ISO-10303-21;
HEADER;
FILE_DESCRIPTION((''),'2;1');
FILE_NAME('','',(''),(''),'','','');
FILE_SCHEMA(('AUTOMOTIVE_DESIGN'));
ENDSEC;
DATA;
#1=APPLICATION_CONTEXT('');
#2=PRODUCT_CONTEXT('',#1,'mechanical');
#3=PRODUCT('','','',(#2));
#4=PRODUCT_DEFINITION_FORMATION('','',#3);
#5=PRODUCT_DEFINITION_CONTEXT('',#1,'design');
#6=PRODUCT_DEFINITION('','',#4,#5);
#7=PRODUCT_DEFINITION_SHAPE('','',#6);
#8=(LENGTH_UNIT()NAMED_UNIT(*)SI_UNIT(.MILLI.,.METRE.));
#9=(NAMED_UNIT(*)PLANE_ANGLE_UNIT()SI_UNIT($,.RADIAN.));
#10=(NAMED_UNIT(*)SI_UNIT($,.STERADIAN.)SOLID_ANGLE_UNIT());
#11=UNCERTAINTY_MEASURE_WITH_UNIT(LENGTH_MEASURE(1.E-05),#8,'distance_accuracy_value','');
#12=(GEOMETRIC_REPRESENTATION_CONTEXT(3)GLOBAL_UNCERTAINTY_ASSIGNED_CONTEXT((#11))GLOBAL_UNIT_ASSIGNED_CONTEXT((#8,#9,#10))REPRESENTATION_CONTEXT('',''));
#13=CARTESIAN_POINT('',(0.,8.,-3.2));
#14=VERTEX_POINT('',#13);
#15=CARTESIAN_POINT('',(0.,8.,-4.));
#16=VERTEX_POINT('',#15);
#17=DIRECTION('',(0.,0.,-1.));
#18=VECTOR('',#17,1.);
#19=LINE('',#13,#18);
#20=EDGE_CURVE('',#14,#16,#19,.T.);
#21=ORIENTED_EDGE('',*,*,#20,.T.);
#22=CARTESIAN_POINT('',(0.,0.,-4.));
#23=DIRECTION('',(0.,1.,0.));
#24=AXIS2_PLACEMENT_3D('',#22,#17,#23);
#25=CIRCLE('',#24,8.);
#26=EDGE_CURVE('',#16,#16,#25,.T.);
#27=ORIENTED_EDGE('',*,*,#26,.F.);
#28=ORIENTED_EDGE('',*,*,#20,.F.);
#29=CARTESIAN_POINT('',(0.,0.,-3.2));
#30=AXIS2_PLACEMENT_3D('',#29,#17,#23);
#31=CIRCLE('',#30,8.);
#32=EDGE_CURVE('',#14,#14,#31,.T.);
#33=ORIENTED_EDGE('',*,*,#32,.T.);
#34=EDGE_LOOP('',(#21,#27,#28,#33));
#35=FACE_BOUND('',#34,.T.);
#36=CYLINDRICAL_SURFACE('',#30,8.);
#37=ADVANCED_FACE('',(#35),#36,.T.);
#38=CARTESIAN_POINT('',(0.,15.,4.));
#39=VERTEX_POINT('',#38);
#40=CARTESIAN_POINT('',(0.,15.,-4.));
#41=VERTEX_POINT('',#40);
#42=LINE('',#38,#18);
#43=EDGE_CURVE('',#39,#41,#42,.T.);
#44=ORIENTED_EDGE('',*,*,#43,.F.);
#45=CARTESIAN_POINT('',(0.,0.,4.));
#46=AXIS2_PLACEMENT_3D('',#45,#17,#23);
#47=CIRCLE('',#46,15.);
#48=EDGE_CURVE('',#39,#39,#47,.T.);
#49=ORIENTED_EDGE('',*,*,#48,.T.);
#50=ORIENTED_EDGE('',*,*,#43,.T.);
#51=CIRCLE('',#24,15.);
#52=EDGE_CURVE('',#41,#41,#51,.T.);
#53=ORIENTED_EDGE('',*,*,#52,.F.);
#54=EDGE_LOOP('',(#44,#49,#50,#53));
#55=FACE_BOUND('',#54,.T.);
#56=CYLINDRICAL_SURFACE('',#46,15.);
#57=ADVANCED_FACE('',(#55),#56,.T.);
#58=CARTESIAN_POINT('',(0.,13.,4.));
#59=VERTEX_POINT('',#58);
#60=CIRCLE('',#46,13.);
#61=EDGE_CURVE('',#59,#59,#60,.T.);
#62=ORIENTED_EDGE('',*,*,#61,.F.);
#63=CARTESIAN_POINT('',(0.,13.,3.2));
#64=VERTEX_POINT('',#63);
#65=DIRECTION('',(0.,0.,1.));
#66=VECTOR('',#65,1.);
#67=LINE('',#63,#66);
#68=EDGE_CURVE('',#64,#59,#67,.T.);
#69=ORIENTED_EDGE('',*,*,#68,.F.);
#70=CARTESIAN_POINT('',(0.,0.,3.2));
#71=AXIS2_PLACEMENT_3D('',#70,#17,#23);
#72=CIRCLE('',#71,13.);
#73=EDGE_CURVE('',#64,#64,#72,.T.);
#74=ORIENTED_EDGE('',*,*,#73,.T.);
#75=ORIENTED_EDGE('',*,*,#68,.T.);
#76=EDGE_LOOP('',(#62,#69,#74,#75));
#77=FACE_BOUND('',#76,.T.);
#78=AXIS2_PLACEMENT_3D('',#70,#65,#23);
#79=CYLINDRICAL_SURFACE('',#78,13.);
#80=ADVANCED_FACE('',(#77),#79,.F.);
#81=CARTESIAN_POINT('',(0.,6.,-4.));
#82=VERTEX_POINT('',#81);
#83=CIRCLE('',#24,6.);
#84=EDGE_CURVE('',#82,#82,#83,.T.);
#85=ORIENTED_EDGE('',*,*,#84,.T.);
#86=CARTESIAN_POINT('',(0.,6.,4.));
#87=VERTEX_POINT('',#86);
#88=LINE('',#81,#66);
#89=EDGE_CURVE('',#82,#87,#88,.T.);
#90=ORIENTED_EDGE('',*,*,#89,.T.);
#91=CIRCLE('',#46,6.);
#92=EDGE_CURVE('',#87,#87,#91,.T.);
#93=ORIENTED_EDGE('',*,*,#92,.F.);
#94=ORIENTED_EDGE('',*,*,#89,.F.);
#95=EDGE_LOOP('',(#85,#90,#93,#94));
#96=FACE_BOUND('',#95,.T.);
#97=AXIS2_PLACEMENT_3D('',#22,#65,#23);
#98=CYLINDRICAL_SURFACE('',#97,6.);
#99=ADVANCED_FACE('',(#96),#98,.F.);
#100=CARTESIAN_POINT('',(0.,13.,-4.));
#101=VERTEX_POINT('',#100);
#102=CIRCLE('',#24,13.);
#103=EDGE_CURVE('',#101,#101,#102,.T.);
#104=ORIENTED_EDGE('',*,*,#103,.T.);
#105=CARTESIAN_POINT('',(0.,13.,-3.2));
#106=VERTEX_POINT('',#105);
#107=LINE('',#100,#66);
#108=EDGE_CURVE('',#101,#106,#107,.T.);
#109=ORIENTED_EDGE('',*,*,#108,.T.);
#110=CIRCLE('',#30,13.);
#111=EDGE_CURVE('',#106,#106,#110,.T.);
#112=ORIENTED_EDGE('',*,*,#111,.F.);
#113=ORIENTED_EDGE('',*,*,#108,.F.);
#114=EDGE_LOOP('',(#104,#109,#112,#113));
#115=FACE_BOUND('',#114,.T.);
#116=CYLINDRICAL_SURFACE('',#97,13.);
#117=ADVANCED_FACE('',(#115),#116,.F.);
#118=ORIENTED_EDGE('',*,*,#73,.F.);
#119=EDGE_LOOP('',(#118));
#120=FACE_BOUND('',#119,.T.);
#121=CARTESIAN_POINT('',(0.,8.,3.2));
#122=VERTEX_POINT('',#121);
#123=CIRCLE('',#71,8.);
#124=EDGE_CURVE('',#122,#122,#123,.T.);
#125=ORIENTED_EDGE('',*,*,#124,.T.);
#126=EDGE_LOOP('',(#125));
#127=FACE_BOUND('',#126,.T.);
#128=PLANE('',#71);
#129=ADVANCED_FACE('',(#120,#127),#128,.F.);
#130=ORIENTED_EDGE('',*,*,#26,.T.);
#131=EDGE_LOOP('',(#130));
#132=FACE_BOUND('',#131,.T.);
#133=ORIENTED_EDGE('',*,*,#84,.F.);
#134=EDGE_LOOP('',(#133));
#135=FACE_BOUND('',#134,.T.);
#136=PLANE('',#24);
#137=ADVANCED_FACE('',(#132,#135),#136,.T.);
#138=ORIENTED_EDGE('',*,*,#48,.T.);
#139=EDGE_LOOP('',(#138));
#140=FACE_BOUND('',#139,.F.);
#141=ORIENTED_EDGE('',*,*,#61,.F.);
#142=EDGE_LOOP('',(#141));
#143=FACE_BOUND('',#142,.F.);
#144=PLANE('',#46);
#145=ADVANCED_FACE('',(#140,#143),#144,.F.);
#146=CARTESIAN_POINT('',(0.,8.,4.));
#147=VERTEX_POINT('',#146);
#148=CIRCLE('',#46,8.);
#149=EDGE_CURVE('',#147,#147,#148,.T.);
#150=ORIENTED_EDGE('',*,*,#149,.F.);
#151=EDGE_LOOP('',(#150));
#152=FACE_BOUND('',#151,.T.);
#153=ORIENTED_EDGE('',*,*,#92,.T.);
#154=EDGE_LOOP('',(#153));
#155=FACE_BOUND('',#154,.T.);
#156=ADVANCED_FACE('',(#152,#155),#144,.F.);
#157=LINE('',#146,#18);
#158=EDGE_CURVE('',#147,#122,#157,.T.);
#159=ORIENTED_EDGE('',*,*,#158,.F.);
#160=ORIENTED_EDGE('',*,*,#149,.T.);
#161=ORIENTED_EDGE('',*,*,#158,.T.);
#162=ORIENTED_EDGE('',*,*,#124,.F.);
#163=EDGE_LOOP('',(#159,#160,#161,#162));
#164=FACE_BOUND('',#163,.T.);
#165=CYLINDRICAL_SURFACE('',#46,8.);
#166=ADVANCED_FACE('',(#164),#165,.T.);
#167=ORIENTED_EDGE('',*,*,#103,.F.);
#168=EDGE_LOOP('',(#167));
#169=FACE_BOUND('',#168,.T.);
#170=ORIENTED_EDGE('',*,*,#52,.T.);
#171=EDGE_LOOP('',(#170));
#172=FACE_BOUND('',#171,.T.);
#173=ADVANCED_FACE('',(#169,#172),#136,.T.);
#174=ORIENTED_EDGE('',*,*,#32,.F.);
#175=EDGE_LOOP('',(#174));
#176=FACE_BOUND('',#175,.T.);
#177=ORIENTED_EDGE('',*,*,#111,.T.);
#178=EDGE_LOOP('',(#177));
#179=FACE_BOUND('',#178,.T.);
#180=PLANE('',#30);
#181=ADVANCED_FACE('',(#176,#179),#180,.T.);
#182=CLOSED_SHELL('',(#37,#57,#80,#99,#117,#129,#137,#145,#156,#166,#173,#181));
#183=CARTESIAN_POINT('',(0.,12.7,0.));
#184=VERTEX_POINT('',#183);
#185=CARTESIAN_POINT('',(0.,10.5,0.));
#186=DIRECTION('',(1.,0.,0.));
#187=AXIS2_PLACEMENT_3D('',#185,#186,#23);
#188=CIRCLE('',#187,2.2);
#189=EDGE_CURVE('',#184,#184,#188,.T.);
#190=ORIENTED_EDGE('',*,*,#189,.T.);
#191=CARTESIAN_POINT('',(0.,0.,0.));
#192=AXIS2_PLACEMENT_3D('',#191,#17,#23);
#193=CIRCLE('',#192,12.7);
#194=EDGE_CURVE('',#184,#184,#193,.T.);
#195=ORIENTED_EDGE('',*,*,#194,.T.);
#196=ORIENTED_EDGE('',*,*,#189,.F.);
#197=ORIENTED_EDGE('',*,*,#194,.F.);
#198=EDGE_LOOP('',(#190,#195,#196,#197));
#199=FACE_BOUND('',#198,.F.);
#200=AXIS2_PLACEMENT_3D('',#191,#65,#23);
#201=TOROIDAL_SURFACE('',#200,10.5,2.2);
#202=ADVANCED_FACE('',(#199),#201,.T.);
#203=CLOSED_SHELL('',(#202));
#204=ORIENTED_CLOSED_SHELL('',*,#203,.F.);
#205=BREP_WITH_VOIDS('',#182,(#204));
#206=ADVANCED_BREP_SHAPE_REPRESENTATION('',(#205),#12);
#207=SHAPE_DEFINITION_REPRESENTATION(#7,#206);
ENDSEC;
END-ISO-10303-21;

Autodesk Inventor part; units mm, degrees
ref_plane "YZ Plane" through (0, 0, 0) normal (1, 0, 0) x (0, 1, 0)
ref_plane "XZ Plane" through (0, 0, 0) normal (0, 1, 0) x (-1, 0, 0)
ref_plane "XY Plane" through (0, 0, 0) normal (0, 0, 1) x (1, 0, 0)
sketch "Boceto1" plane through (0, 0, 0) normal (1, 0, 0) x (0, 1, 0)
  line L0 (0, 30.1209) -> (0, -30.1209) construction
  line L1 (15, 4) -> (15, -4)
  line L2 (15, -4) -> (13, -4)
  line L3 (13, -4) -> (13, -3.2)
  line L4 (13, -3.2) -> (8, -3.2)
  line L5 (8, -3.2) -> (8, -4)
  line L6 (8, -4) -> (6, -4)
  line L7 (6, -4) -> (6, 4)
  line L8 (6, 4) -> (8, 4)
  line L9 (8, 4) -> (8, 3.2)
  line L10 (8, 3.2) -> (13, 3.2)
  line L11 (13, 3.2) -> (13, 4)
  line L12 (15, 4) -> (13, 4)
  circle A0 centre (10.5, 0) radius 2.2
  point P0 (0, 0)
  point P1 (0, 0)
  point P2 (6, 0)
  point P3 (10.5, -3.2)
  dimension "d0" = 1
  dimension "d1" = 0.3
  dimension "d2" = 30
  dimension "d3" = 8
  dimension "d4" = 0.8
  dimension "d5" = 2
  dimension "d6" = 12
revolve "Revolución1" add sketch "Boceto1" angle 360 about axis through (0, 0, 30.1209) along (0, 0, -1)
properties part number "rodamiento"
